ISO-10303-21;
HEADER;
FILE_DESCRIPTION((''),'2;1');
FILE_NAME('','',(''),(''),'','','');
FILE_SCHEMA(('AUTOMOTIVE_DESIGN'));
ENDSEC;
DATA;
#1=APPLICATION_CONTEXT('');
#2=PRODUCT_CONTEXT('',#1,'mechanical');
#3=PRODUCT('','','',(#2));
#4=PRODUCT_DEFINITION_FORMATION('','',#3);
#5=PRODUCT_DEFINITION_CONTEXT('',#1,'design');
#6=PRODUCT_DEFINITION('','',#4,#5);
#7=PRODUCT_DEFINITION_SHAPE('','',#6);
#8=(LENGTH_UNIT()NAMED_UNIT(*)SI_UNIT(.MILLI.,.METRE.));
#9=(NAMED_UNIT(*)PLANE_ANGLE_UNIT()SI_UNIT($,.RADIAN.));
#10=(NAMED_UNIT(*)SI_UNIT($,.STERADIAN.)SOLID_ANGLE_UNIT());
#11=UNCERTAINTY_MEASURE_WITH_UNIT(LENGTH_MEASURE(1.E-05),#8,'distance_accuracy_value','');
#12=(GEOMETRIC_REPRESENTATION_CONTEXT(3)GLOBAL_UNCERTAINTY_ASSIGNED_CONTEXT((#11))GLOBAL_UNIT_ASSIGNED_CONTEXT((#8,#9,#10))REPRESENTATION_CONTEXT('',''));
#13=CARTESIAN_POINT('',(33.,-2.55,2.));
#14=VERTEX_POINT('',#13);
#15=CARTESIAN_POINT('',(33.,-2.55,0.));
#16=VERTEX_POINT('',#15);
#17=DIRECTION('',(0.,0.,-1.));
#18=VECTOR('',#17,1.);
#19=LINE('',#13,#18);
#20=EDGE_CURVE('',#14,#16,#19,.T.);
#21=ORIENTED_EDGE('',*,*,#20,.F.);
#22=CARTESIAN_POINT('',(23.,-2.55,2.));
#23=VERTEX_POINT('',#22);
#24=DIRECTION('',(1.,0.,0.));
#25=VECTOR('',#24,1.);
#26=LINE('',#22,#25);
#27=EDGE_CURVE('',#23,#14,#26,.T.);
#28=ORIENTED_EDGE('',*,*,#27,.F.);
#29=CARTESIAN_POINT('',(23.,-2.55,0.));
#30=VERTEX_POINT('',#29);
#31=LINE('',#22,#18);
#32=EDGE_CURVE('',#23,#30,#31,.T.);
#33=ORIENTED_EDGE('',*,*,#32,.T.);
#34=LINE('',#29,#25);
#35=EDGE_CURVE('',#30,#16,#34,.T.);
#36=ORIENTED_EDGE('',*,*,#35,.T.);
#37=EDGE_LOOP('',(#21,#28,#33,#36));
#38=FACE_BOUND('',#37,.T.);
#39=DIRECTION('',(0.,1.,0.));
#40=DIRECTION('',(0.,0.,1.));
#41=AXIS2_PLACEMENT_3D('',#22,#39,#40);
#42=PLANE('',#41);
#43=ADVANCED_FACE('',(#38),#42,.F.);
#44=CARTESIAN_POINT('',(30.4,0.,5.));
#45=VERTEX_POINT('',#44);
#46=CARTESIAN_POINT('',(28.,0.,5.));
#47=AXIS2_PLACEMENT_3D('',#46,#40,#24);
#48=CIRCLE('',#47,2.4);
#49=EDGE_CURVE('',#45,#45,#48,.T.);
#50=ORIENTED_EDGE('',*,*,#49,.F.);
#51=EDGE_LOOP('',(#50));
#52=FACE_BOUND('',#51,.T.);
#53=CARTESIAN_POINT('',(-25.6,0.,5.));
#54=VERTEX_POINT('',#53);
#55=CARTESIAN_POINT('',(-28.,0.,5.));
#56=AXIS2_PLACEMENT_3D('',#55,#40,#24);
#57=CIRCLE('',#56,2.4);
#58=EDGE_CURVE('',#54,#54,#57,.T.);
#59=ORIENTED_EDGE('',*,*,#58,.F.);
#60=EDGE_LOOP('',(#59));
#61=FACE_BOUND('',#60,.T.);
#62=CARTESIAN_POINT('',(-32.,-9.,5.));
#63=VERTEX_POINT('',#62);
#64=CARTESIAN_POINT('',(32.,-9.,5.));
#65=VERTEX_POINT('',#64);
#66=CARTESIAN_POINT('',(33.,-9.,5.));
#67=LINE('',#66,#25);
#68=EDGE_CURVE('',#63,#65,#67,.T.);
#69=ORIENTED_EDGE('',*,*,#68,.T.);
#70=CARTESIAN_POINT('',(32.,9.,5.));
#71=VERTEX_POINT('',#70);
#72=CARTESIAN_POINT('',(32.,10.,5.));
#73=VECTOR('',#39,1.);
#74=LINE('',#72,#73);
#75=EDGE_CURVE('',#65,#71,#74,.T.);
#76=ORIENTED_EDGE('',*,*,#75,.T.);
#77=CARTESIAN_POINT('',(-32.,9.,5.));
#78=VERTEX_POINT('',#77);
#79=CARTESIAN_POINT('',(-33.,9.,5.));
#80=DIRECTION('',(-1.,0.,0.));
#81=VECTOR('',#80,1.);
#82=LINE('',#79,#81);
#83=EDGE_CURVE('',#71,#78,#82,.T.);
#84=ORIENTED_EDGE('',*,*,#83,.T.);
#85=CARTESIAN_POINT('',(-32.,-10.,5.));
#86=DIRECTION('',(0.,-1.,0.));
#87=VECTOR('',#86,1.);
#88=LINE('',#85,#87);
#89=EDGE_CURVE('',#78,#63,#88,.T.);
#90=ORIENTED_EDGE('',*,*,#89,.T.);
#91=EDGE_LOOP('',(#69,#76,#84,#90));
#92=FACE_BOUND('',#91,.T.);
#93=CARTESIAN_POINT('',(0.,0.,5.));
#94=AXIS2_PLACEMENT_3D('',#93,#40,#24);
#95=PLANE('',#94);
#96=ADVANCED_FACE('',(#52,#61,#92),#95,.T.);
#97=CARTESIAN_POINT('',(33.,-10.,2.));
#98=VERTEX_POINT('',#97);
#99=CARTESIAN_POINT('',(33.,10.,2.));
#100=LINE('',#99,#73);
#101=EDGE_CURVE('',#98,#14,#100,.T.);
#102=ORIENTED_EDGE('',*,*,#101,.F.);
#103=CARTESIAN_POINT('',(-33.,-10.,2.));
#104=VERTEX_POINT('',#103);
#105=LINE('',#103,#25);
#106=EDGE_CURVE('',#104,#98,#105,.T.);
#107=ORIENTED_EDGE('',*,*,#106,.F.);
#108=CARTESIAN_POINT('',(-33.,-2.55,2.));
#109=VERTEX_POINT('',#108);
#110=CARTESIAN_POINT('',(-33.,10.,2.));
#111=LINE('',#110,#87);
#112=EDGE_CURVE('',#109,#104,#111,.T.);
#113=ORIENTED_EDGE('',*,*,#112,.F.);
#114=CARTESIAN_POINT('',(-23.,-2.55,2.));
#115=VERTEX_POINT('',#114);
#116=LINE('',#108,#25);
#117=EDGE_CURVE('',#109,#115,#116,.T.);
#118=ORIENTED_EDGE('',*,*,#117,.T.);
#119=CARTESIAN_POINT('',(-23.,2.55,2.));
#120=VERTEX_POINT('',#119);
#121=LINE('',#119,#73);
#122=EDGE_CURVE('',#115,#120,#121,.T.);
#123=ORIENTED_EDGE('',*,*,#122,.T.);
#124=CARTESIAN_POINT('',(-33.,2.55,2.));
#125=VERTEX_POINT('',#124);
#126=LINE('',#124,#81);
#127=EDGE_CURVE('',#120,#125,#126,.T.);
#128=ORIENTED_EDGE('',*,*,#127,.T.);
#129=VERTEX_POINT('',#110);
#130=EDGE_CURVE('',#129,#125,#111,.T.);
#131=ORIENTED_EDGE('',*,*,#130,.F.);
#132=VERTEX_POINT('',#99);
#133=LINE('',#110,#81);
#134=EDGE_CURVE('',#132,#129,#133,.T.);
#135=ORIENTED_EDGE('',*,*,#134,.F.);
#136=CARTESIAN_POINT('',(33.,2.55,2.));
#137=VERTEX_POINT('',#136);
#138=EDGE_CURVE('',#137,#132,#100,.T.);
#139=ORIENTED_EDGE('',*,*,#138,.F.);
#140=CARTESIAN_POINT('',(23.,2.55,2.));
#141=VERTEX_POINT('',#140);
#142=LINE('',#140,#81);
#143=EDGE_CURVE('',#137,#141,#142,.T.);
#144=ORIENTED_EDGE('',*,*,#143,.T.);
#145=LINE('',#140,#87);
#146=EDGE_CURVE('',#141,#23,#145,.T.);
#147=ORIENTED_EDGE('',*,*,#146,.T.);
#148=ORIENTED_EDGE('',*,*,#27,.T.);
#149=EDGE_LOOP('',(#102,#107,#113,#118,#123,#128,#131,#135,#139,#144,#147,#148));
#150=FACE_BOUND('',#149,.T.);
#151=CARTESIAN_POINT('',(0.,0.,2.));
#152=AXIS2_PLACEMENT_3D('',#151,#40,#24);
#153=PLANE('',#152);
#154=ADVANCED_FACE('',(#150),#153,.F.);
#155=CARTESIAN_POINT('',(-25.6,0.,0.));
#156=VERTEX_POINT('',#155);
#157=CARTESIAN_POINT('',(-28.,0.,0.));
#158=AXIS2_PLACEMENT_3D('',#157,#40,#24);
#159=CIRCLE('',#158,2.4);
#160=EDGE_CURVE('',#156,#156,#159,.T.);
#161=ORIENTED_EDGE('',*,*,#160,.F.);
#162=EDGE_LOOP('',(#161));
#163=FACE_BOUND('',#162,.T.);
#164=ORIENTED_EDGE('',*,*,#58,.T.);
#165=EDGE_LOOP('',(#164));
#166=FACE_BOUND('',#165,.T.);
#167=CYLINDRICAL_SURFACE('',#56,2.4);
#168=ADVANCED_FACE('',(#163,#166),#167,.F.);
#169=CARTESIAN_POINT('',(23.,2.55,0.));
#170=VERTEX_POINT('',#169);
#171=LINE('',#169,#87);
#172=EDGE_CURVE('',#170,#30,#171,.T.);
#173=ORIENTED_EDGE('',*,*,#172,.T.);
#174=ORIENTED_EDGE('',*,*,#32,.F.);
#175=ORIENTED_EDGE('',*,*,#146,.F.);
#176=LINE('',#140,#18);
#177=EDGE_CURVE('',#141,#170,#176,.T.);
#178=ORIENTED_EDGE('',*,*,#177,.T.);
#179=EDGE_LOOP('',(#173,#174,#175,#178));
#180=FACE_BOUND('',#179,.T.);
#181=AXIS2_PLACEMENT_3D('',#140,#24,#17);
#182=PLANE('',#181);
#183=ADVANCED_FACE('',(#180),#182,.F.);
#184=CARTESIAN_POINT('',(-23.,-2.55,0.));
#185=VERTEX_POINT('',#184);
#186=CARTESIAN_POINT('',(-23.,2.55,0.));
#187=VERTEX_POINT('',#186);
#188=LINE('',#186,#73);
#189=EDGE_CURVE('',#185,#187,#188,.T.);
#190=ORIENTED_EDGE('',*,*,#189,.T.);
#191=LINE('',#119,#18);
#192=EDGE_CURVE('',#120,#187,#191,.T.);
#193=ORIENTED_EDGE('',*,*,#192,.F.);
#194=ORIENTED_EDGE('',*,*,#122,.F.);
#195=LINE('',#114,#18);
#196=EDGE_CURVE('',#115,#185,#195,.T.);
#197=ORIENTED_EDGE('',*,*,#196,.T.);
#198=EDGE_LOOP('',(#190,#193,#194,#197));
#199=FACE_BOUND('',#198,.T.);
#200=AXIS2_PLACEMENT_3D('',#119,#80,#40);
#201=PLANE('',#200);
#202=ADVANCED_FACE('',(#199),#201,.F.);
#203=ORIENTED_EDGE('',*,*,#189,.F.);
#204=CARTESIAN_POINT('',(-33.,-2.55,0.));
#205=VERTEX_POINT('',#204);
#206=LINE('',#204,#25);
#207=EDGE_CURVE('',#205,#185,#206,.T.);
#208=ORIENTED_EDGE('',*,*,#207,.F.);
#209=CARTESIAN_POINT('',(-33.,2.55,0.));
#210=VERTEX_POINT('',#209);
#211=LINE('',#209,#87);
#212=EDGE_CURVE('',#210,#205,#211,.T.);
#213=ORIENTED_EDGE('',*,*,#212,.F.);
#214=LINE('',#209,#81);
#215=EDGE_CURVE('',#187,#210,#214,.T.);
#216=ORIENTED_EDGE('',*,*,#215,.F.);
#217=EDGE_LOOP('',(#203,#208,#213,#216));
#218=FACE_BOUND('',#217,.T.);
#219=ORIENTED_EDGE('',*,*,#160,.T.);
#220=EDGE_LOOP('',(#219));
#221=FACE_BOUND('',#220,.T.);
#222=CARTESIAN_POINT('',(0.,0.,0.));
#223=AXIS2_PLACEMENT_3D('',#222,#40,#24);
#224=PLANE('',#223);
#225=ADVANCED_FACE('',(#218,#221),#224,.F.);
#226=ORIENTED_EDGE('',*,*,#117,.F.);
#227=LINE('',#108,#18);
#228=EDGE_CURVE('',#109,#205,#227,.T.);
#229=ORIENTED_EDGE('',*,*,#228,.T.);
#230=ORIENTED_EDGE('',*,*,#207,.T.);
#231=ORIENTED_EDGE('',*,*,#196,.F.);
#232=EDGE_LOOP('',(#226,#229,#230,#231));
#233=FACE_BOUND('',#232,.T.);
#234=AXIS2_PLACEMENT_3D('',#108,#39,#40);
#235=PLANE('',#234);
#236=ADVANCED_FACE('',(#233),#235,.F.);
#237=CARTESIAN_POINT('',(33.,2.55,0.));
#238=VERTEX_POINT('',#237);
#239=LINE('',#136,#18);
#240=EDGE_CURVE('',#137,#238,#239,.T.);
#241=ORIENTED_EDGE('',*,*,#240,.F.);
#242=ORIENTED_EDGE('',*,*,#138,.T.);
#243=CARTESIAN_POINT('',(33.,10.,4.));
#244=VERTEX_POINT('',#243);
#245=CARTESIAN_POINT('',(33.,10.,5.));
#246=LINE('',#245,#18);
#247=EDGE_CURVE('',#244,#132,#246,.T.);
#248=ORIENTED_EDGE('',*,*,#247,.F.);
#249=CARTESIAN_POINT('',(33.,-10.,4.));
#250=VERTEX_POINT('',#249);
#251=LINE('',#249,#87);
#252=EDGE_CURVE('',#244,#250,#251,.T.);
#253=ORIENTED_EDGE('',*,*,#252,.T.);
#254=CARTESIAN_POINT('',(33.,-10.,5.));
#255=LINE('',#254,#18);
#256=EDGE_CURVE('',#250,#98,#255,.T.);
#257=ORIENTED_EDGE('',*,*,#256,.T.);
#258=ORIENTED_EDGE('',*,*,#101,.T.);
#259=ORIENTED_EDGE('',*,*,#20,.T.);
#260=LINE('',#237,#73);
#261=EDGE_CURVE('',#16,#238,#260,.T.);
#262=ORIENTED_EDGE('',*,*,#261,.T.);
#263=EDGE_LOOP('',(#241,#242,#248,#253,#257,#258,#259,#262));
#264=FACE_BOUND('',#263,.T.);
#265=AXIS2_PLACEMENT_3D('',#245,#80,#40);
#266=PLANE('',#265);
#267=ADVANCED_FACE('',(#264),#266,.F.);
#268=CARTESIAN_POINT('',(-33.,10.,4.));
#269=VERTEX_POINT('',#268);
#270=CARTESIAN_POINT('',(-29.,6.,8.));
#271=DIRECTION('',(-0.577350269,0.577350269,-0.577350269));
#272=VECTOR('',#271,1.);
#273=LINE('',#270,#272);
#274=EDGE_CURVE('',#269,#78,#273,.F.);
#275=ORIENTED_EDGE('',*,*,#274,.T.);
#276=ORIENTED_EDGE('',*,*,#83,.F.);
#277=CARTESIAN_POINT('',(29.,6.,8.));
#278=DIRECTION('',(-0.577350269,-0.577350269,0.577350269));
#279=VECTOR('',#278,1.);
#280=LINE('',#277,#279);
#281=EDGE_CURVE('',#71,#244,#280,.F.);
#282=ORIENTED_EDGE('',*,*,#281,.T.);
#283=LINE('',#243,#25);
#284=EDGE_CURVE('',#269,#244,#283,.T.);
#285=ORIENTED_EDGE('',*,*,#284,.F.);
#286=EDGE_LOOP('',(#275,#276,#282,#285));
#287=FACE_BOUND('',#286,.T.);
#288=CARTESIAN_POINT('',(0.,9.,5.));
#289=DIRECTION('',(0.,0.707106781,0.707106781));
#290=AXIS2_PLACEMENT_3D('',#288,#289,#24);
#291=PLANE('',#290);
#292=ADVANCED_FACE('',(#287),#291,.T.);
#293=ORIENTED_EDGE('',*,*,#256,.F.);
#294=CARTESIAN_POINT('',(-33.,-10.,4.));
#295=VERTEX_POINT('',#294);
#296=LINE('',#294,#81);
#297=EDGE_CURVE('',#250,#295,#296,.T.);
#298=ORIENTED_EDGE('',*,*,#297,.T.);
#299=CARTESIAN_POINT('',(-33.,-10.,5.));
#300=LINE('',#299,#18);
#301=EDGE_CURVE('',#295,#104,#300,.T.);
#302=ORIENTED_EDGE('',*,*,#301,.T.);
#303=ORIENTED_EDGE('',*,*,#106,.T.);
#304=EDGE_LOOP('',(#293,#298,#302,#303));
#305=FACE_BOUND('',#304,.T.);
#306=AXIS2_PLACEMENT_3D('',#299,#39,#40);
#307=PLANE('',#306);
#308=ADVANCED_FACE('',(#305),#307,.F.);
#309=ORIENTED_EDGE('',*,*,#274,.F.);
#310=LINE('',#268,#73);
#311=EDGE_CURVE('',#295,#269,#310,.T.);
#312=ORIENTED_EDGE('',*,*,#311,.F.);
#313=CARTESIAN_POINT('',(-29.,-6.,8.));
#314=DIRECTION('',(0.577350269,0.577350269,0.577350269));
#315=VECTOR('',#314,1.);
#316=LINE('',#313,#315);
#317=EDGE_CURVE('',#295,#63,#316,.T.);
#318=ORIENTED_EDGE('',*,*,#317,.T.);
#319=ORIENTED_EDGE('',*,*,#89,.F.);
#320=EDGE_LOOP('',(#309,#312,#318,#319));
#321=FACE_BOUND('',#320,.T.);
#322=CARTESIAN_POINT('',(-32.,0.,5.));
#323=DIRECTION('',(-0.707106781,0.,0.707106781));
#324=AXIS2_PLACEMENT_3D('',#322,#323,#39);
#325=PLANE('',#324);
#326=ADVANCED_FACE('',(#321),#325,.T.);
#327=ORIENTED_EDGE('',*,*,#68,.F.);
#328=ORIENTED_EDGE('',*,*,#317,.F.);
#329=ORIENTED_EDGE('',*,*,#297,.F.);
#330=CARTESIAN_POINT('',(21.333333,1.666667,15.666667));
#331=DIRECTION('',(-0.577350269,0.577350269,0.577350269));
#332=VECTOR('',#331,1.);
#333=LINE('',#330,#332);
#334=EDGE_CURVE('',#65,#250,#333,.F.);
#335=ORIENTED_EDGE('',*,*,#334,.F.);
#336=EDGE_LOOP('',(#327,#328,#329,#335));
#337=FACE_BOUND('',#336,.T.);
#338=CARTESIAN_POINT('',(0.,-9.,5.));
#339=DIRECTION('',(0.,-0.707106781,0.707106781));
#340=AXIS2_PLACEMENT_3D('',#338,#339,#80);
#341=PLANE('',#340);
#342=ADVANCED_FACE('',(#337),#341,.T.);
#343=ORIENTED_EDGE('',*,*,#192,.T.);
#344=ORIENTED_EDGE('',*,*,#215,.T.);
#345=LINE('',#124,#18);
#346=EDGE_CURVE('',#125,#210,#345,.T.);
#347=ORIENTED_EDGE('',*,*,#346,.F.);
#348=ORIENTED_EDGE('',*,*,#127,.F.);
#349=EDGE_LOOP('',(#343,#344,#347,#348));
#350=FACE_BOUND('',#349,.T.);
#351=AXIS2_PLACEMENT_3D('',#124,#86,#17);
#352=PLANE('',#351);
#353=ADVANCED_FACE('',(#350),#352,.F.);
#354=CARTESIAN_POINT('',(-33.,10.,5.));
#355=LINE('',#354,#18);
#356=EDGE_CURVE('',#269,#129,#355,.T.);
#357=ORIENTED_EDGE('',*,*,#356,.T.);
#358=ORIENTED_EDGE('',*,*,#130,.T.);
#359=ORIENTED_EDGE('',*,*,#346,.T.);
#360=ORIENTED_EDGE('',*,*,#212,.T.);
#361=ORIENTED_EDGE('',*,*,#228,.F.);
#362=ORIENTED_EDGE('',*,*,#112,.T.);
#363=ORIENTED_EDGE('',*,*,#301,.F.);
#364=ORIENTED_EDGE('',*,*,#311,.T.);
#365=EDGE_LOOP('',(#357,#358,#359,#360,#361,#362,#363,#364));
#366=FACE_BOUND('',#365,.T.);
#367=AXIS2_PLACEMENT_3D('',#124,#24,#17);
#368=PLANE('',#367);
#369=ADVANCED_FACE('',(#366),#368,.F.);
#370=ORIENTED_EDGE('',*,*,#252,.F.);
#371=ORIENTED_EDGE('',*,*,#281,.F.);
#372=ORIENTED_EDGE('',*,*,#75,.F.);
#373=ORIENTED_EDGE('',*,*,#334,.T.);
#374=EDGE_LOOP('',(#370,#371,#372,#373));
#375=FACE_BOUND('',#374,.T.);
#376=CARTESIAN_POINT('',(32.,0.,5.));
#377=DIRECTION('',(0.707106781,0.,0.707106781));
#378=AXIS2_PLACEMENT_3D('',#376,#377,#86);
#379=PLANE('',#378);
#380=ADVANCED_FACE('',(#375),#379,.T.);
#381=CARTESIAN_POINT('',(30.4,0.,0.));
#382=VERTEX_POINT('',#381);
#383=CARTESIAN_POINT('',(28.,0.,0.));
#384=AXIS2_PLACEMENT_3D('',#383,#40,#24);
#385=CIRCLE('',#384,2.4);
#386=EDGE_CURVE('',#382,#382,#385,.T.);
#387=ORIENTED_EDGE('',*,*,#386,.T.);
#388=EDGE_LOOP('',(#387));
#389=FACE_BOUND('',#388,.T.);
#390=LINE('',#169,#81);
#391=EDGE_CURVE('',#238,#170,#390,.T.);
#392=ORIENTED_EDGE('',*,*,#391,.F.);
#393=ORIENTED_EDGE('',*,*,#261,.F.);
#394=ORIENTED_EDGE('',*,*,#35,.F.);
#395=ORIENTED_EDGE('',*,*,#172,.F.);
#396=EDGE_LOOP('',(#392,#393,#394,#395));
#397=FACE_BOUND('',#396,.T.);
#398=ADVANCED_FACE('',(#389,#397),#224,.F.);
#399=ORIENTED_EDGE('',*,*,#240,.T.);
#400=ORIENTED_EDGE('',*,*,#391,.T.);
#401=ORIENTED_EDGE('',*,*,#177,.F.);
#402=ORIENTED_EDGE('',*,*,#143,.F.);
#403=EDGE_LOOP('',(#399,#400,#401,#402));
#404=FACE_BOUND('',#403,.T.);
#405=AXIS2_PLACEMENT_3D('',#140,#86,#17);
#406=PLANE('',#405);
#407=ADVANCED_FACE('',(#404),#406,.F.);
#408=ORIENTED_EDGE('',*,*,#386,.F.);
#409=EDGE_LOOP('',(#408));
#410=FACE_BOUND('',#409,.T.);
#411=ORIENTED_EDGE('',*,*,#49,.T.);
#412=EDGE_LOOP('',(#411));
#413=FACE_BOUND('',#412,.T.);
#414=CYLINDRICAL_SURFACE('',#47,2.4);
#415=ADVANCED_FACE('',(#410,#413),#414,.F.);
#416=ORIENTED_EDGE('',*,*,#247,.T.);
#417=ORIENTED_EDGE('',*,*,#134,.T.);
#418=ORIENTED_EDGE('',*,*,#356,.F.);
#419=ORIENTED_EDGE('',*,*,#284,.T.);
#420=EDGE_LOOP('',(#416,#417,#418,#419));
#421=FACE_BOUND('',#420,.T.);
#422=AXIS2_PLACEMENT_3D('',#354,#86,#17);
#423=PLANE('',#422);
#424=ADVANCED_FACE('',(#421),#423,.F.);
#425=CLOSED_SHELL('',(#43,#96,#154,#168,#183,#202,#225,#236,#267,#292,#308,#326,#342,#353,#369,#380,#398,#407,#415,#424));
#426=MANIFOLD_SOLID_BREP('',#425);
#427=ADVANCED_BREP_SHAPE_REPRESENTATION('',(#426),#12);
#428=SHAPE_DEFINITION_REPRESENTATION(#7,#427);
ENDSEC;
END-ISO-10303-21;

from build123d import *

# Parameters (mm, degrees)
SKETCH_1_W         = 10
SKETCH_1_H         = 5.1
EXTRUDE_1_DEPTH    = 2
EXTRUDE_1_2_DEPTH  = 2
SKETCH_2_W         = 66
SKETCH_2_H         = 20
EXTRUDE_2_DEPTH    = 3
HOLE_WIZARD_M4_1_D = 4.8
CHAMFER_1_SIZE     = 1


with BuildPart() as part:
    # 스케치1 → 보스-돌출1 (new body)
    with BuildSketch(Plane.XY):
        with Locations((28, 0)):
            Rectangle(SKETCH_1_W, SKETCH_1_H)
    extrude(amount=EXTRUDE_1_DEPTH)



with BuildPart() as body_2:
    # 스케치1 → Extrude 1 2 (new body)
    with BuildSketch(Plane.XY):
        with Locations((-28, 0)):
            Rectangle(SKETCH_1_W, SKETCH_1_H)
    extrude(amount=EXTRUDE_1_2_DEPTH)


with BuildPart() as part_1:
    add(part.part)

    add(body_2.part)  # 보스-돌출2 merges body 2
    # 스케치2 → 보스-돌출2 (add)
    with BuildSketch(Plane.XY.offset(2)):
        Rectangle(SKETCH_2_W, SKETCH_2_H)
    extrude(amount=EXTRUDE_2_DEPTH)

    # M4 여유 구멍1 (through all)
    with Locations(Plane.XY.offset(5)):
        with Locations((-28, 0), (28, 0)):
            Hole(HOLE_WIZARD_M4_1_D / 2)

    # 모따기1
    chamfer_1_edges = [part_1.edges().sort_by_distance(p)[0] for p in [
        (-33, 0, 5),
        (0, -10, 5),
        (33, 0, 5),
        (0, 10, 5),
    ]]
    chamfer(chamfer_1_edges, length=CHAMFER_1_SIZE)


solid = part_1.part
